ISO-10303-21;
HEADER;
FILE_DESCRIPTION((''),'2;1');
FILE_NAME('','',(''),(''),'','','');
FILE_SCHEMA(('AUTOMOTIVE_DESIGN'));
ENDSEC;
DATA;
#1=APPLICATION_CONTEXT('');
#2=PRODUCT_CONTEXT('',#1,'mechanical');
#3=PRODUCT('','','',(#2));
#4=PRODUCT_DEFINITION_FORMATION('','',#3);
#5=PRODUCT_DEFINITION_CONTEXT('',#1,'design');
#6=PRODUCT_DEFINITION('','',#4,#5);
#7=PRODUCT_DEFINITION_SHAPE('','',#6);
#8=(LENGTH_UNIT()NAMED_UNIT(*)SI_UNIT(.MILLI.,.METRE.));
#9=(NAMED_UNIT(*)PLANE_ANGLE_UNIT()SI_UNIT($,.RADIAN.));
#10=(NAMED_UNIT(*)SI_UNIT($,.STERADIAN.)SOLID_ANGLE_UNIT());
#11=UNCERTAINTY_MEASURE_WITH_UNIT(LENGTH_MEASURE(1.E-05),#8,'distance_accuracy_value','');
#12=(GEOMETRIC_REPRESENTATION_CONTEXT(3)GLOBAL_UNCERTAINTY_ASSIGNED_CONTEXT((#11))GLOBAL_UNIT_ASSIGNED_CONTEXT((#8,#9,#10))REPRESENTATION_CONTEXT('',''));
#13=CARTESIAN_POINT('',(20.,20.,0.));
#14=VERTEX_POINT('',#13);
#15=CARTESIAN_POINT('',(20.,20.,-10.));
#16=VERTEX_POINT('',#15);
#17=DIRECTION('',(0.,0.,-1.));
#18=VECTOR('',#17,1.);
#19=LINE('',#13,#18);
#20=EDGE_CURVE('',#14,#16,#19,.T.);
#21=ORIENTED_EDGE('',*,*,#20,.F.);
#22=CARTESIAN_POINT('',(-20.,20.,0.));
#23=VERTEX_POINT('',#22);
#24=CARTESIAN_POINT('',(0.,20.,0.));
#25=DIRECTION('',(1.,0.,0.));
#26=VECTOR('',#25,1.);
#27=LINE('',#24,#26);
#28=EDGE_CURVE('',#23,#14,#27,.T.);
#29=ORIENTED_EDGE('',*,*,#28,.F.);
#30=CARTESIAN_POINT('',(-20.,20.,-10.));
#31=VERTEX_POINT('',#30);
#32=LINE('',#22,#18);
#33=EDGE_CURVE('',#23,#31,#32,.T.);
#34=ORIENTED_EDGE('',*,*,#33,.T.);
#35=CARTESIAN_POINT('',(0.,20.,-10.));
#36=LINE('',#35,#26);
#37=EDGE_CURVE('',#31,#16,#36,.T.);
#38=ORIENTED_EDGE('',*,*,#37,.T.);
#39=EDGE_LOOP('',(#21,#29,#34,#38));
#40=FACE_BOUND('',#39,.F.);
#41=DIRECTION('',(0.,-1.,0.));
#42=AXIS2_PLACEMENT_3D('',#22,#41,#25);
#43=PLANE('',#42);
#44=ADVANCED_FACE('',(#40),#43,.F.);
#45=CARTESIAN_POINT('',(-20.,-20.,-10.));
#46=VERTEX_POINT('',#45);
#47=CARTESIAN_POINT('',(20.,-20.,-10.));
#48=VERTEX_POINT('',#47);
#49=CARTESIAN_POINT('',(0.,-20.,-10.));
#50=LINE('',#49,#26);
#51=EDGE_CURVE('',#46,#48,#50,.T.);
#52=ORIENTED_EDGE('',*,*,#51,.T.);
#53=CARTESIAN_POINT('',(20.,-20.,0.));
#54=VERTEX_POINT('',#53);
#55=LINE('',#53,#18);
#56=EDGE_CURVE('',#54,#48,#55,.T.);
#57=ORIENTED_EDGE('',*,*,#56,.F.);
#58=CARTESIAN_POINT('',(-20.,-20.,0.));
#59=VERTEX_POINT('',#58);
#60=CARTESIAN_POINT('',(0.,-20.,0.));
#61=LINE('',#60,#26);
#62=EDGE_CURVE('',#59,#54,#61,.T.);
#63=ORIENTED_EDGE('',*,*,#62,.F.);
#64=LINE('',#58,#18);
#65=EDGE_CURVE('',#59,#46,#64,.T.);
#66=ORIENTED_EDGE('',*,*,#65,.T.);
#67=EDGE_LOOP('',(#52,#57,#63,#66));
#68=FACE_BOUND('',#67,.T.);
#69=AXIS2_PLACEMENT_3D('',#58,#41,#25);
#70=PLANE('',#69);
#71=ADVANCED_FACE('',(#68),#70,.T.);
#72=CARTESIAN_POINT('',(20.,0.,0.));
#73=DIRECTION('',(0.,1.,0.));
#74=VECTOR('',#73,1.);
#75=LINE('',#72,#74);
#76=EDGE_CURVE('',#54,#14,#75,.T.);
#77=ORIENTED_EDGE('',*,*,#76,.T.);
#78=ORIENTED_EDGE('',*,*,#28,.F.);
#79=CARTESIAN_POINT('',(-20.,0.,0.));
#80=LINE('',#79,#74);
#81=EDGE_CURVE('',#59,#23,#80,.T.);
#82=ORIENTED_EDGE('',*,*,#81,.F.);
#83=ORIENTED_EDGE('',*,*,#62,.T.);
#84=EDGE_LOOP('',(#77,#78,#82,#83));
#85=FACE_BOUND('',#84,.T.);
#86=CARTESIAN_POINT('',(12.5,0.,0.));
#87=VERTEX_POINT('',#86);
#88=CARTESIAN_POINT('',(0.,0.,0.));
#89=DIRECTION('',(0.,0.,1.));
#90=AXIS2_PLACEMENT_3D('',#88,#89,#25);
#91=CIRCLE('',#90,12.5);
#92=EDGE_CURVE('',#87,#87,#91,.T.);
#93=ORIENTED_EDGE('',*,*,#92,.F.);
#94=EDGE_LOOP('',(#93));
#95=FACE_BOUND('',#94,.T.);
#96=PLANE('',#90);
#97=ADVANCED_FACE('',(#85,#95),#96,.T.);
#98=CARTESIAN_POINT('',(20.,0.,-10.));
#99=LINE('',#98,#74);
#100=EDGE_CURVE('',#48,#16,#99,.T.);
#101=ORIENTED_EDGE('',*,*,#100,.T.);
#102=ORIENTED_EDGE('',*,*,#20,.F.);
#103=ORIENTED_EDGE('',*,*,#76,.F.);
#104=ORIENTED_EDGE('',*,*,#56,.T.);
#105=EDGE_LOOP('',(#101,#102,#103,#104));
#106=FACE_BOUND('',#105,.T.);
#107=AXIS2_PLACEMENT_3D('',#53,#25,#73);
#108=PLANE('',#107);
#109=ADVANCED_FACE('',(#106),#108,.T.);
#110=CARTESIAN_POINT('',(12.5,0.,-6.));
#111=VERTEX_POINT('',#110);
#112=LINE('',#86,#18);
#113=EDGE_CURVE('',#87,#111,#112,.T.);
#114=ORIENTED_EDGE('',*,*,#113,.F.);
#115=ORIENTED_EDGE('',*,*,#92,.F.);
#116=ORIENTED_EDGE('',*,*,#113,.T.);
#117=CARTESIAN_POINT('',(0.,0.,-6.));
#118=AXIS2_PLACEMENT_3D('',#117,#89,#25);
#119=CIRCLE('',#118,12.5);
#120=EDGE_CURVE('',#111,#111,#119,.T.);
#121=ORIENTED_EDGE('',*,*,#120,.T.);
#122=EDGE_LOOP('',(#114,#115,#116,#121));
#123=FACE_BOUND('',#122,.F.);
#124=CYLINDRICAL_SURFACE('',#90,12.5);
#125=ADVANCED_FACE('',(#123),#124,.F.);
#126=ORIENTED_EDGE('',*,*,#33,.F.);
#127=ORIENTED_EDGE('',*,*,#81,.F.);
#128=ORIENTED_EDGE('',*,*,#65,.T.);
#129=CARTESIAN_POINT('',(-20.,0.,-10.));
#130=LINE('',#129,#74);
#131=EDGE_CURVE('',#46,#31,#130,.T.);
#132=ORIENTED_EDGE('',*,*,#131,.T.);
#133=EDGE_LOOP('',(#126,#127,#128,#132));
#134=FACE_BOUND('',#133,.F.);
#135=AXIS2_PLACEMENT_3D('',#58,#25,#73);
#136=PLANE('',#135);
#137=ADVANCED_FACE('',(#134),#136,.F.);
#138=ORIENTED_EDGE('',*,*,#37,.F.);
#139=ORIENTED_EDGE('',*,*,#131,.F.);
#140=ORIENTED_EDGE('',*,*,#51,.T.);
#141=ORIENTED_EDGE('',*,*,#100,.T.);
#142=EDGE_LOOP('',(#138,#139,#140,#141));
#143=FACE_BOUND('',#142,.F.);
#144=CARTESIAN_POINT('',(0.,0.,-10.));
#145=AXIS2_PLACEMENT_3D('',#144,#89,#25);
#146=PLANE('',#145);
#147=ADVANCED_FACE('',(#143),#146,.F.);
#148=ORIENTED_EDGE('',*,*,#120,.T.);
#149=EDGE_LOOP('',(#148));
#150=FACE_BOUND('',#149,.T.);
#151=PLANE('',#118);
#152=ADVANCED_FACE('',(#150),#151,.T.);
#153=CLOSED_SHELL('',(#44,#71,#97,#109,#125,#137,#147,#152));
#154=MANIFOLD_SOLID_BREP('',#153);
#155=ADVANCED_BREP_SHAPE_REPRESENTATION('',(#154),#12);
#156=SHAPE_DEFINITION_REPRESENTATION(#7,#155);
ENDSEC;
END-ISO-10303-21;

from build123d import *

# Parameters (mm, degrees)
SKETCH_W     = 40
SKETCH_H     = 40
PAD_DEPTH    = 10
SKETCH003_R  = 12.5
POCKET_DEPTH = 6


with BuildPart() as part:
    # Sketch → Pad (new body)
    with BuildSketch(Plane.XY):
        Rectangle(SKETCH_W, SKETCH_H)
    extrude(amount=-PAD_DEPTH)

    # Sketch001 → Groove (revolve, cut)
    with BuildSketch(Plane.XZ):
        Polygon((0, 0), (0, -5), (2.5, -3.249481), (2.5, 0), align=None)
    revolve(axis=Axis((0, 0, 0), (0, 0, 1)), mode=Mode.SUBTRACT)

    # Sketch003 → Pocket (cut)
    with BuildSketch(Plane.XY):
        Circle(SKETCH003_R)
    extrude(amount=-POCKET_DEPTH, mode=Mode.SUBTRACT)


solid = part.part
